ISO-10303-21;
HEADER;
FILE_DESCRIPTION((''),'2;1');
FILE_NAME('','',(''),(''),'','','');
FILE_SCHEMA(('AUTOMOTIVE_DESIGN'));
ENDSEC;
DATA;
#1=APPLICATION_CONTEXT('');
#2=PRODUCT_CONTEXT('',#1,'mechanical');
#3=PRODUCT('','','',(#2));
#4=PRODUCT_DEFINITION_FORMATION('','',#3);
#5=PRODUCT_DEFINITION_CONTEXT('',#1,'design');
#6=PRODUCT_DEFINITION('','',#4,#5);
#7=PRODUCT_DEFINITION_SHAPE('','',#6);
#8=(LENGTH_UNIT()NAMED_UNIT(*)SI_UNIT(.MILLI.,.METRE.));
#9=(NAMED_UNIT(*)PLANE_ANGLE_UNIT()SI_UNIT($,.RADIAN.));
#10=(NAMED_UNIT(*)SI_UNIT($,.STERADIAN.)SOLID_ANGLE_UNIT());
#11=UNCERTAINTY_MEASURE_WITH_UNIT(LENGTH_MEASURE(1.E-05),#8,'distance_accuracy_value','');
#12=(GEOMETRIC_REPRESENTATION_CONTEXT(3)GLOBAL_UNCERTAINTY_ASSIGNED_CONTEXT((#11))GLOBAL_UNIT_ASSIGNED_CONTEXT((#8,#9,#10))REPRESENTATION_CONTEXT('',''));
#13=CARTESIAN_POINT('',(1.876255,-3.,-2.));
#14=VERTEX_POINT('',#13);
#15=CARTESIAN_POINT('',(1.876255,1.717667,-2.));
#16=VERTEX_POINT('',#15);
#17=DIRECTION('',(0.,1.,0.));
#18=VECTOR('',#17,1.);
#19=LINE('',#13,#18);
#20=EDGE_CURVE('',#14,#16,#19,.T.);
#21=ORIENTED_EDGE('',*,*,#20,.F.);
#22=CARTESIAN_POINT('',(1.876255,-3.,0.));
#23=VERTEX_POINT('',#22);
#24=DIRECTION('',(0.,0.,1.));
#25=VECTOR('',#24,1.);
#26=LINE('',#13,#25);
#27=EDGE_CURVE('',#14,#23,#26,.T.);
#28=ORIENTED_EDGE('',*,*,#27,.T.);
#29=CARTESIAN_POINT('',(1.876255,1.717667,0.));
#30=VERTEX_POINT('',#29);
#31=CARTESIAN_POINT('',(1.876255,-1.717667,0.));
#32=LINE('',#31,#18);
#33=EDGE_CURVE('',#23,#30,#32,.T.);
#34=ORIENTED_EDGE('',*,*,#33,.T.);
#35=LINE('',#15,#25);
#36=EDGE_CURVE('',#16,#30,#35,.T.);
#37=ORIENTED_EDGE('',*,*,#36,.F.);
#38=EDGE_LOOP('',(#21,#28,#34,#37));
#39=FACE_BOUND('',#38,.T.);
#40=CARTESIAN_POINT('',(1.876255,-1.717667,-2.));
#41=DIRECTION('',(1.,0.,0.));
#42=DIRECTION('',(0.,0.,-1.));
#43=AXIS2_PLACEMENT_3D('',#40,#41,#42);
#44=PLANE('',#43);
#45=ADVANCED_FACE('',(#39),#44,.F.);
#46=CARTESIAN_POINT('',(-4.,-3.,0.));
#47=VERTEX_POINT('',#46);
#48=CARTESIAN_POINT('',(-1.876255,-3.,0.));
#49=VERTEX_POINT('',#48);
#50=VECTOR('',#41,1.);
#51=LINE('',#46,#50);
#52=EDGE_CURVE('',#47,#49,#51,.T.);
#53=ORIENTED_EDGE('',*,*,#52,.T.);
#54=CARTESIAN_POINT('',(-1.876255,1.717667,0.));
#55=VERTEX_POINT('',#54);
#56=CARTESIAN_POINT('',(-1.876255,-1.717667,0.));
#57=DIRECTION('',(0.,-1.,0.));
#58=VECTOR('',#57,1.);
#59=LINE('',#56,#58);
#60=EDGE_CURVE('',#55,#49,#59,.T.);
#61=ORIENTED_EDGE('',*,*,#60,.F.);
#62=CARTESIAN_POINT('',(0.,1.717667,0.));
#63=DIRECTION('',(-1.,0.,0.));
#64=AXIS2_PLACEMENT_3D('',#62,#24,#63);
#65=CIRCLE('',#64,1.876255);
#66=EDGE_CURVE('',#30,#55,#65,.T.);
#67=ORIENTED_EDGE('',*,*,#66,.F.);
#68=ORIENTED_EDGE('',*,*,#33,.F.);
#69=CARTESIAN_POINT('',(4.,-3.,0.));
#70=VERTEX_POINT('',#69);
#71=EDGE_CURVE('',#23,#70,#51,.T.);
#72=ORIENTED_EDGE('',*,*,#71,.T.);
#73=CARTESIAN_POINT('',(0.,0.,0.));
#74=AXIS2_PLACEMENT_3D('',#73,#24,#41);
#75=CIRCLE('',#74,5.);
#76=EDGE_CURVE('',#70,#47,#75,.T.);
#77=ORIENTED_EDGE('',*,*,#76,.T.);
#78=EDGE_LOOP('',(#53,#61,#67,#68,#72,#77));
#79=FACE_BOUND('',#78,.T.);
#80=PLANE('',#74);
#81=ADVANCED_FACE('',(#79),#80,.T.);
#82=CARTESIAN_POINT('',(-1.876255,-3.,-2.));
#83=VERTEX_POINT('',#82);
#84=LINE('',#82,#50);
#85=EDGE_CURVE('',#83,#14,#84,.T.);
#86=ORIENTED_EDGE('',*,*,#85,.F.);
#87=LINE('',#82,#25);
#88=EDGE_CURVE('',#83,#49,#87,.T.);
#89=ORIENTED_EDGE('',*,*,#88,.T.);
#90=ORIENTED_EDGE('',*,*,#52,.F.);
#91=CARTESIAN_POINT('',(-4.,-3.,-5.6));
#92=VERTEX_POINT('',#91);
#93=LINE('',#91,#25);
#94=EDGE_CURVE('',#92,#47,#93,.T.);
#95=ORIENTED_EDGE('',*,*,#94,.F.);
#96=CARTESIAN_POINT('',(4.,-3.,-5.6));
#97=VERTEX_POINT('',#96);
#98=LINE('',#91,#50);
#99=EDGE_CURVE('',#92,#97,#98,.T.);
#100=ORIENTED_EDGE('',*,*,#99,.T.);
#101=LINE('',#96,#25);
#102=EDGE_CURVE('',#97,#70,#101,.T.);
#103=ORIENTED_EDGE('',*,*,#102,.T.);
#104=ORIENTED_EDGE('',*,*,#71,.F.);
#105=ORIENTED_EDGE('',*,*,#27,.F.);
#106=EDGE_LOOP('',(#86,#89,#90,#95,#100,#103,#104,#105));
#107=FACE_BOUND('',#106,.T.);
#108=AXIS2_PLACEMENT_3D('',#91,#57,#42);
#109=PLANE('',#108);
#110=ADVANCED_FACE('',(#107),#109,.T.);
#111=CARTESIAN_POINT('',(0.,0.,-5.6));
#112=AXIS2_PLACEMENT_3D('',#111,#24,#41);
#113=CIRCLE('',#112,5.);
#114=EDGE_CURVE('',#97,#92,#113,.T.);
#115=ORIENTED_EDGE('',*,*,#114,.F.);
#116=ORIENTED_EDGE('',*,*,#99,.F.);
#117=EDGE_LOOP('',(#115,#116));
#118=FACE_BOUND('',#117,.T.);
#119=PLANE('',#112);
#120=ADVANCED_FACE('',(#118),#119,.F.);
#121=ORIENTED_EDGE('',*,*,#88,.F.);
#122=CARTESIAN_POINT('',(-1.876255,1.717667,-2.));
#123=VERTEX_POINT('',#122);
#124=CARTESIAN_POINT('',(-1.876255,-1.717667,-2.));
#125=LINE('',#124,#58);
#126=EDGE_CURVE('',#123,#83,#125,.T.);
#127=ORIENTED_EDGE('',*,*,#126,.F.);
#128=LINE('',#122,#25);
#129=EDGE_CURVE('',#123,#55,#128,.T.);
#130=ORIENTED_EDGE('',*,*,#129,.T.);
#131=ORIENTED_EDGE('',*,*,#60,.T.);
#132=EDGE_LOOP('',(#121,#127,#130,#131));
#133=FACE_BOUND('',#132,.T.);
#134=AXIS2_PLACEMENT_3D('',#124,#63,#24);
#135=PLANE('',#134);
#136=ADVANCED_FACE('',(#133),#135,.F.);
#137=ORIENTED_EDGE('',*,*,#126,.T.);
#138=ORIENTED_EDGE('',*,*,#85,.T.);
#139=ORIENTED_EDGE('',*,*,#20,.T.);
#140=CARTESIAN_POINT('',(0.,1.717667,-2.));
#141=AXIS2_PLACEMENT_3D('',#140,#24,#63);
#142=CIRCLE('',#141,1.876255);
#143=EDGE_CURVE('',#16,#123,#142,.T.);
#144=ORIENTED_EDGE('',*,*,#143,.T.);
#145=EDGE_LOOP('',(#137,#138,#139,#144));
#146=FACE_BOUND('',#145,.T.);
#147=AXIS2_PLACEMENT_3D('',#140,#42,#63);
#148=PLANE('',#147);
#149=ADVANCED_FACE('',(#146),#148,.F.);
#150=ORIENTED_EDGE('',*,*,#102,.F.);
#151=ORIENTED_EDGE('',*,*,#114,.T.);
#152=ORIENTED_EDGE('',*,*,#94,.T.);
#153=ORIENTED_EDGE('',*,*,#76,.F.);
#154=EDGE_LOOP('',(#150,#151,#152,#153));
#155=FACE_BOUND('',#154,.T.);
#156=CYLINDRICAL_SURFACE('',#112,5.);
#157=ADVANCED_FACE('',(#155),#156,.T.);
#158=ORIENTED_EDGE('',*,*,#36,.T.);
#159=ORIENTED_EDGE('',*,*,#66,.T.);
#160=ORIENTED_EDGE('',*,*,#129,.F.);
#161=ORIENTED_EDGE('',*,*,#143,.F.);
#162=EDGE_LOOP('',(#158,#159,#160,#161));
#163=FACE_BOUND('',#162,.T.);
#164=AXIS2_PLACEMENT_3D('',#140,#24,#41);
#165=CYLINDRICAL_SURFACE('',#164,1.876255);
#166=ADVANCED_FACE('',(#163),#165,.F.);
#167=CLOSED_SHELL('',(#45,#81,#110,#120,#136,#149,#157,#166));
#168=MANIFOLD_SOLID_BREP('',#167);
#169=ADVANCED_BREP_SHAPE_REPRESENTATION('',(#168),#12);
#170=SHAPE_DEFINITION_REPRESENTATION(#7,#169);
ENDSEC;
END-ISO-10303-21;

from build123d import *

# Parameters (mm, degrees)
AUFSATZ_LINEAR_AUSTRAGEN1_DEPTH = 5.6
SCHNITT_LINEAR_AUSTRAGEN1_DEPTH = 2


with BuildPart() as part:
    # Skizze1 → Aufsatz-Linear austragen1 (new body)
    with BuildSketch(Plane.XY):
        with BuildLine():
            Line((-4, -3), (4, -3))
            ThreePointArc((4, -3), (0, 5), (-4, -3))
        make_face()
    extrude(amount=-AUFSATZ_LINEAR_AUSTRAGEN1_DEPTH)

    # Skizze2 → Schnitt-Linear austragen1 (cut)
    with BuildSketch(Plane.XY):
        with BuildLine():
            Line((-1.876254768, -1.717667449), (-1.876254768, -3))
            Line((-1.876254768, -3), (1.876254768, -3))
            Line((1.876254768, -3), (1.876254768, -1.717667449))
            Line((1.876254768, -1.717667449), (1.876254768, 1.717667449))
            ThreePointArc((1.876254768, 1.717667449), (0, 3.593922217), (-1.876254768, 1.717667449))
            Line((-1.876254768, 1.717667449), (-1.876254768, -1.717667449))
        make_face()
    extrude(amount=-SCHNITT_LINEAR_AUSTRAGEN1_DEPTH, mode=Mode.SUBTRACT)


solid = part.part
